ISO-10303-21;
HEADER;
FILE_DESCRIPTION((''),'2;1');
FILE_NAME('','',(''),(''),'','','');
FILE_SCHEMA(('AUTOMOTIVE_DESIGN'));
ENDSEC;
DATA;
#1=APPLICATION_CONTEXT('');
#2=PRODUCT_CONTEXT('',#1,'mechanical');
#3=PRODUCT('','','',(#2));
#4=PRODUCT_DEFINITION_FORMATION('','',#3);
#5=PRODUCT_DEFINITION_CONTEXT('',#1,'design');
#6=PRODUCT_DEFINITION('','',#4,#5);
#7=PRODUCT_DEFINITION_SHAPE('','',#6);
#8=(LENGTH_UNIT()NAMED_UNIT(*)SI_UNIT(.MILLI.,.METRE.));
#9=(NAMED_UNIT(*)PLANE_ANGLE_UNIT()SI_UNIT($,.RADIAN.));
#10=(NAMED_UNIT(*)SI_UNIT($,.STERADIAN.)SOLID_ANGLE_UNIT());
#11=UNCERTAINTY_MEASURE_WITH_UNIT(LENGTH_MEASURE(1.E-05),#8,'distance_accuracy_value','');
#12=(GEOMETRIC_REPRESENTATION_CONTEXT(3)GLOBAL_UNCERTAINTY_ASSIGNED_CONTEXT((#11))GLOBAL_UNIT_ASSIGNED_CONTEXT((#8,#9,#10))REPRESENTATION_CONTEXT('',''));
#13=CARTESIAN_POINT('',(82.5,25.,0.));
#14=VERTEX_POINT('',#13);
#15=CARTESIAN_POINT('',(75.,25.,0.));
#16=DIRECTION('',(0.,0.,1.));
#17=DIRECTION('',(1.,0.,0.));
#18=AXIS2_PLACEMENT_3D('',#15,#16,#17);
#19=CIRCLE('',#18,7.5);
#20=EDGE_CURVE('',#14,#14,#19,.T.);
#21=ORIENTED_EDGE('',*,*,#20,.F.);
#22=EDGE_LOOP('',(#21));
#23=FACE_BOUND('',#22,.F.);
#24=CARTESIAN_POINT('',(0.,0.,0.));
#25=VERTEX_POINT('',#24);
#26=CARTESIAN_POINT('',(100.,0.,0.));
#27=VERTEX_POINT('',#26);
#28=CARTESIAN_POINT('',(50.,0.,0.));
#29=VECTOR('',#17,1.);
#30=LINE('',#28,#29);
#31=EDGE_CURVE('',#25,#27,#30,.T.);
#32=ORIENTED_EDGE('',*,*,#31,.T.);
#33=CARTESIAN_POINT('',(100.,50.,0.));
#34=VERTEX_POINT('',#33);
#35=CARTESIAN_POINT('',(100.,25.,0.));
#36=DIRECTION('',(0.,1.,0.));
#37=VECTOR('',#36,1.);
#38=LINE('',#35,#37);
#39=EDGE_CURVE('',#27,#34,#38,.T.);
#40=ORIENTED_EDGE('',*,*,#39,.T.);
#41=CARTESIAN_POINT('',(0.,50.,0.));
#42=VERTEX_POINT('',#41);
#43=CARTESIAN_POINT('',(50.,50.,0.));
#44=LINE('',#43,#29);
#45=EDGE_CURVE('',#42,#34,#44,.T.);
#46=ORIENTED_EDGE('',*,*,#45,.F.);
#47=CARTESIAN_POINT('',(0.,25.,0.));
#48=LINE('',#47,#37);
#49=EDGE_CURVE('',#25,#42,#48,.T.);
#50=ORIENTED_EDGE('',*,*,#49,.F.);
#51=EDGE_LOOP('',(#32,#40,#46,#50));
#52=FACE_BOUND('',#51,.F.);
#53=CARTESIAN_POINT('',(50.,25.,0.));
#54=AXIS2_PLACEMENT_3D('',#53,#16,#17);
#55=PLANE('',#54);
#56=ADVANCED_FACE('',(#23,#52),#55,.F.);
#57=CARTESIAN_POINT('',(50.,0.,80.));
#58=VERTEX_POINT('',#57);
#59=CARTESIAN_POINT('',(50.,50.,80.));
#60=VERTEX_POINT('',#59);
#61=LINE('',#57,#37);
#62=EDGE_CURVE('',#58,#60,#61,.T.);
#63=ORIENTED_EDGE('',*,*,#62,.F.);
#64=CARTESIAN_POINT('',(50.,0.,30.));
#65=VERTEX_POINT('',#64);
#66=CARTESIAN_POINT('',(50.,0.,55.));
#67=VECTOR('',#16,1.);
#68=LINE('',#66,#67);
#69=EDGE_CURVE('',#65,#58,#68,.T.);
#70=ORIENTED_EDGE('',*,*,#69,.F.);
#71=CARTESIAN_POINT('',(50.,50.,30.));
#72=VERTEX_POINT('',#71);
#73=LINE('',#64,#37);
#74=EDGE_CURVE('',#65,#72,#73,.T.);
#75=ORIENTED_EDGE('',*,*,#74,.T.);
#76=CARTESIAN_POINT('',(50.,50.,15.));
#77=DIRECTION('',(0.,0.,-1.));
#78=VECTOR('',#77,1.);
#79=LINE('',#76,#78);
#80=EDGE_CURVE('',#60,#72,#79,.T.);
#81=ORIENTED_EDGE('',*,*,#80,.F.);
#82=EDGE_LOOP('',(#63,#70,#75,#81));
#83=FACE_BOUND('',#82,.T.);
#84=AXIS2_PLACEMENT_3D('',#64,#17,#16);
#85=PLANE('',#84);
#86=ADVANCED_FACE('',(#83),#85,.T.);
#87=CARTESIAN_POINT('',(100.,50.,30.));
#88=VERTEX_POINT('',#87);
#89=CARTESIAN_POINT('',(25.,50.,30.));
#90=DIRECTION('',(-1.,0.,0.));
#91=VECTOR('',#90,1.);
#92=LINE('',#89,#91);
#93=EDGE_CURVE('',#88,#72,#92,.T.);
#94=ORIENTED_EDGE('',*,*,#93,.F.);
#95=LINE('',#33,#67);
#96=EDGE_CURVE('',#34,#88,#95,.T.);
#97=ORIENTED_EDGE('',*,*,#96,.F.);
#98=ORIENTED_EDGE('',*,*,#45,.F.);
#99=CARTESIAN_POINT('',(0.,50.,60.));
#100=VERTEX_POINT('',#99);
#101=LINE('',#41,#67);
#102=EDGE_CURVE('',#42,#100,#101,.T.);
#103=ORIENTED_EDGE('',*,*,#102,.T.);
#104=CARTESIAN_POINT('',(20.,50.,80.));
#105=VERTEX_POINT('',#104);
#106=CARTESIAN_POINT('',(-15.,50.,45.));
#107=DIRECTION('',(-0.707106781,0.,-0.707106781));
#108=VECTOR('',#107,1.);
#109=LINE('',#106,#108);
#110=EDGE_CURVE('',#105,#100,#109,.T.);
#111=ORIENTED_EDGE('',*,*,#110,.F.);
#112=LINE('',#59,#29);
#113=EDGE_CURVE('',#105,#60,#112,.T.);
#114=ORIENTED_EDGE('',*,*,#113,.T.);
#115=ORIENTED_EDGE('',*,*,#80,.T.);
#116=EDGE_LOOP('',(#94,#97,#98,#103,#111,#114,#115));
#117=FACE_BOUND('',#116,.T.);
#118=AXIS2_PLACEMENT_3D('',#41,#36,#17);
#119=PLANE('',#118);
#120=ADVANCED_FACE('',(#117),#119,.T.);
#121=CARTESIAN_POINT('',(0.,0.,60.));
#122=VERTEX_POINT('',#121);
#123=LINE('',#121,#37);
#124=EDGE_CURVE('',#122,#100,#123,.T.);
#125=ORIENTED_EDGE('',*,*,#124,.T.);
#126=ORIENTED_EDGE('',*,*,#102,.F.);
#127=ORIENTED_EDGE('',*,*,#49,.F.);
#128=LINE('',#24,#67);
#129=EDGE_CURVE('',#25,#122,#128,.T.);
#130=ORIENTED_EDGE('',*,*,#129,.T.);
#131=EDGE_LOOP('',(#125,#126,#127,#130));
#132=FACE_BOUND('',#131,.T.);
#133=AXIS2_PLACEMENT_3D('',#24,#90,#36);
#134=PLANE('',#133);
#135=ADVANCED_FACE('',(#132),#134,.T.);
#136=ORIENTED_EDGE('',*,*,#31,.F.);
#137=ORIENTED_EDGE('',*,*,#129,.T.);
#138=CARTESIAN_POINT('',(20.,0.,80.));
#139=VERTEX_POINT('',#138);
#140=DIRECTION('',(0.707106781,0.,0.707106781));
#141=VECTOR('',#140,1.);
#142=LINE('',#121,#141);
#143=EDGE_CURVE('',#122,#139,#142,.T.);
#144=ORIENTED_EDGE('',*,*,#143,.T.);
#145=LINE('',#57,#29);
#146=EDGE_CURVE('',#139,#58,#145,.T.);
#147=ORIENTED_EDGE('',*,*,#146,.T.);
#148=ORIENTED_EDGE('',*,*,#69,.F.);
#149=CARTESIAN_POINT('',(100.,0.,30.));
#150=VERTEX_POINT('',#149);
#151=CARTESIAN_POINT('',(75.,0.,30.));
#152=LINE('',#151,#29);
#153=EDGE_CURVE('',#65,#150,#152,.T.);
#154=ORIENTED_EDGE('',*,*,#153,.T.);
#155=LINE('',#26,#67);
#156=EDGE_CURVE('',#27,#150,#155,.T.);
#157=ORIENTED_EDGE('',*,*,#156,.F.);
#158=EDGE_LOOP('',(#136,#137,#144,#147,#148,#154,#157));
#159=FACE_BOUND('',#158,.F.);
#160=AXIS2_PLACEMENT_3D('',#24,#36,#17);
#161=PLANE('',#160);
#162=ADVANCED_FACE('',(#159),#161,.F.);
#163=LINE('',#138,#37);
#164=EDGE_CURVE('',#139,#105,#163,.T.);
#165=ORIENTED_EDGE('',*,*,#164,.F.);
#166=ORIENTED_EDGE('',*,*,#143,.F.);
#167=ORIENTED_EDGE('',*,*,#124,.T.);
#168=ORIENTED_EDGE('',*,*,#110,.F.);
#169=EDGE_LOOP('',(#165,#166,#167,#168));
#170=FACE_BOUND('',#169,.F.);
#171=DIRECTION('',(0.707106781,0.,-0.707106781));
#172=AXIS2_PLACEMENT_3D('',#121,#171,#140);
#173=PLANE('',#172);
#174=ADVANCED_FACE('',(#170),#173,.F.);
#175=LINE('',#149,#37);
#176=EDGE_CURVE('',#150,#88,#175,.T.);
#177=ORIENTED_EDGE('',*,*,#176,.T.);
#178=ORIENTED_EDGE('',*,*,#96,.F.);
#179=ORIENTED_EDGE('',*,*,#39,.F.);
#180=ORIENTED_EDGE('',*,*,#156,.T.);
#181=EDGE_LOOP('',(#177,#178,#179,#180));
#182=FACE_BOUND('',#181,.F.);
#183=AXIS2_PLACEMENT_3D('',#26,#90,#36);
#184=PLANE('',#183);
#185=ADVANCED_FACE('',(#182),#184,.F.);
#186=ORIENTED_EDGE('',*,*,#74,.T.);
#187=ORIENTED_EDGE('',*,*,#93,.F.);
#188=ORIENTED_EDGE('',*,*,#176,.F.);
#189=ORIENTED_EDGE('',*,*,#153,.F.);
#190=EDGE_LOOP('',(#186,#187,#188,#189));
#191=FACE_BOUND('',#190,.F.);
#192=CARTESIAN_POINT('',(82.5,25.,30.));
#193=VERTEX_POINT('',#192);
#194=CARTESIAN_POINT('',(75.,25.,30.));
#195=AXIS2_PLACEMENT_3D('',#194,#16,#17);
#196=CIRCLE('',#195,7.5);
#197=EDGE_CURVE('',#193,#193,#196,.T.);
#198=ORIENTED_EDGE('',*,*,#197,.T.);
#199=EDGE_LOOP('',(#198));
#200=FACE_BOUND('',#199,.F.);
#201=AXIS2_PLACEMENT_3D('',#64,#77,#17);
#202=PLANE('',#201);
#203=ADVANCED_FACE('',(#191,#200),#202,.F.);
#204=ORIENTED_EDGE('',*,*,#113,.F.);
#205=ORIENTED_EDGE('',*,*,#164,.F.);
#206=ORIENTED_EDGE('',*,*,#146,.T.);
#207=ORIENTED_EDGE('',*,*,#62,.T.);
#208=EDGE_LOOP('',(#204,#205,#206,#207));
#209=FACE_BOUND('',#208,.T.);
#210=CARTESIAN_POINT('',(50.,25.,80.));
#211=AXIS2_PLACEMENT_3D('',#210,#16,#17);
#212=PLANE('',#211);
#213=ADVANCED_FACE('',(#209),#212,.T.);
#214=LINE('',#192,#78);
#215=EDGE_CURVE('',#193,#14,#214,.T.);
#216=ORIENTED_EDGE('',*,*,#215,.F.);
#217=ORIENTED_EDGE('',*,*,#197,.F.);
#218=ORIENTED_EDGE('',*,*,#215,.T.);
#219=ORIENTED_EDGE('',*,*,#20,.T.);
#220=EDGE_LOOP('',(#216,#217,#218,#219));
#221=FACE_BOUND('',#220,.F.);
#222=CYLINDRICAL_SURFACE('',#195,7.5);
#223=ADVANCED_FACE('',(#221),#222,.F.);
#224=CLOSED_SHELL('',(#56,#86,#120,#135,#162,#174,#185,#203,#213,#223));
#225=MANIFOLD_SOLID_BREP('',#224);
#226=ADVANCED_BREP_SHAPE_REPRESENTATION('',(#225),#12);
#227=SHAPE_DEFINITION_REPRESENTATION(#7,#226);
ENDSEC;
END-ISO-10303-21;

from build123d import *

# Parameters (mm, degrees)
F0_W     = 100
F0_H     = 50
F1_DEPTH = 80
F2_W     = 50
F2_H     = 50
F3_DEPTH = 102
F5_DEPTH = 92
F6_R     = 7.5
F7_DEPTH = 64.2


with BuildPart() as f1:
    # F0 (on Top) → F1 (new body)
    with BuildSketch(Plane.XY):
        with Locations((50, 25)):
            Rectangle(F0_W, F0_H)
    extrude(amount=F1_DEPTH)

    # F2 (on face) → F3 (cut)
    with BuildSketch(Plane.XZ):
        with Locations((75, 55)):
            Rectangle(F2_W, F2_H)
    extrude(amount=-F3_DEPTH, mode=Mode.SUBTRACT)

    # F4 (on face) → F5 (cut)
    with BuildSketch(Plane.XZ):
        Polygon((0, 60), (20, 80), (0, 80), align=None)
    extrude(amount=-F5_DEPTH, mode=Mode.SUBTRACT)

    # F6 (on face) → F7 (cut)
    with BuildSketch(Plane.XY.offset(30)):
        with Locations((75, 25)):
            Circle(F6_R)
    extrude(amount=-F7_DEPTH, mode=Mode.SUBTRACT)


solid = f1.part
